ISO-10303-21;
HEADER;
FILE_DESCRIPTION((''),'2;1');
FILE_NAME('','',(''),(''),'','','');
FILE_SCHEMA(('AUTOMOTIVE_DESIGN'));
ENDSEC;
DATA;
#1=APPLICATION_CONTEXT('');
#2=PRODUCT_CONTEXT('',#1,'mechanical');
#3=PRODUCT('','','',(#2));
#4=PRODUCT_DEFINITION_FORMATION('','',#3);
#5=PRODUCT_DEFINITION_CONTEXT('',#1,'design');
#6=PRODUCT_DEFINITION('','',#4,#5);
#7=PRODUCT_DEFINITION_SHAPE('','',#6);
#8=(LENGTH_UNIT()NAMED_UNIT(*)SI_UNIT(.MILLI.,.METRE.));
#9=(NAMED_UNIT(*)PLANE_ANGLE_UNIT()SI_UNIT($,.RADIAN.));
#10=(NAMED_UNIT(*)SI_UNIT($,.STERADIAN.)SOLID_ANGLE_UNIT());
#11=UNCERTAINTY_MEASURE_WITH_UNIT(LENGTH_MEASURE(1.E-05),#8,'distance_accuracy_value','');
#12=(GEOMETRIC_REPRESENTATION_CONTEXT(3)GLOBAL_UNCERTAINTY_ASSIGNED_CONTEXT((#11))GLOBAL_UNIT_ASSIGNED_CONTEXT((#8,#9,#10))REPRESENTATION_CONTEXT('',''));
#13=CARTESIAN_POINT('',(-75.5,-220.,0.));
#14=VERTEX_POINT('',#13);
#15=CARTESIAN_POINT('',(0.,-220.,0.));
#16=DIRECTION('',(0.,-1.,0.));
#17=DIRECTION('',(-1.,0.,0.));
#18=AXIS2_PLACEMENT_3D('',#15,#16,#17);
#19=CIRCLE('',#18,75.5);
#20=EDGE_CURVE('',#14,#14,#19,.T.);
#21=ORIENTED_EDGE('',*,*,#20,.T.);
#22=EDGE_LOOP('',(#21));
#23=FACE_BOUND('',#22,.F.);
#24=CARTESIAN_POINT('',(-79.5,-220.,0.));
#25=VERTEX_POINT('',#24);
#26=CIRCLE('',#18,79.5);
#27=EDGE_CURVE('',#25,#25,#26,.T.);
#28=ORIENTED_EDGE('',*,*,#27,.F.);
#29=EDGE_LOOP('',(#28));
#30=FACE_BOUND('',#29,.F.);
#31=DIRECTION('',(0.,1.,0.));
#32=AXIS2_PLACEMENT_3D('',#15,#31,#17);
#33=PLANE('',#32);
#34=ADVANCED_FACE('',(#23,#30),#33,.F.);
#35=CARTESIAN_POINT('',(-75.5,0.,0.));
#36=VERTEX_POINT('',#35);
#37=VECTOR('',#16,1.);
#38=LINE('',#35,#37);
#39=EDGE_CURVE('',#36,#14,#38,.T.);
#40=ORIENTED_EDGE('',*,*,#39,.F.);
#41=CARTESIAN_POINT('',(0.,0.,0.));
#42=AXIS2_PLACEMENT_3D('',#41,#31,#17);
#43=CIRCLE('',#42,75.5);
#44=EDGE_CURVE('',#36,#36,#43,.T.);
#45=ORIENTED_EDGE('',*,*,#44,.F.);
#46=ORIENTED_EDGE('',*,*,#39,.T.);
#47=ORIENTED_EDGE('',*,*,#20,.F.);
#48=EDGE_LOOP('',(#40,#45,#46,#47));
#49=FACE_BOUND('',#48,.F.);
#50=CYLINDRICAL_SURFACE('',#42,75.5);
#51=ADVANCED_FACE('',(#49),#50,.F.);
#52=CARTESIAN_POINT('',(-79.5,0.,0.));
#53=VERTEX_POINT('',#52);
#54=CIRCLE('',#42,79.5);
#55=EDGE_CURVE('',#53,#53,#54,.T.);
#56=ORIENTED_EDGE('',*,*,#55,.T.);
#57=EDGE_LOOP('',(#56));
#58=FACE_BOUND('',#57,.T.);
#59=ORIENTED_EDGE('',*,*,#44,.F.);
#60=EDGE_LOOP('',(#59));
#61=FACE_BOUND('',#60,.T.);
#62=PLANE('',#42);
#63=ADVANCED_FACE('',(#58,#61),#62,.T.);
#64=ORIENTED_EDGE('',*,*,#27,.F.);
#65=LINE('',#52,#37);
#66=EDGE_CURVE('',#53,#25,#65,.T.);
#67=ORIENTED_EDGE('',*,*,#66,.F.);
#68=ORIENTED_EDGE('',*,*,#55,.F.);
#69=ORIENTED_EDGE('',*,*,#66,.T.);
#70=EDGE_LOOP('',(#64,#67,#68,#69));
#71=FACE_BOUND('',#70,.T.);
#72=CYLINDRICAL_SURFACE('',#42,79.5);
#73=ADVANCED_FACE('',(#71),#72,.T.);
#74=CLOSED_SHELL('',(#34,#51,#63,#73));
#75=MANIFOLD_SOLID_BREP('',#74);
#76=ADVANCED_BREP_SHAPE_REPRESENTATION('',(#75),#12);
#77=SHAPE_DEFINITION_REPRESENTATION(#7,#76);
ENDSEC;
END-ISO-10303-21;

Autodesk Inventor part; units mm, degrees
ref_plane "YZ Plane" through (0, 0, 0) normal (1, 0, 0) x (0, 1, 0)
ref_plane "XZ Plane" through (0, 0, 0) normal (0, 1, 0) x (-1, 0, 0)
ref_plane "XY Plane" through (0, 0, 0) normal (0, 0, 1) x (1, 0, 0)
sketch "Sketch1" plane through (0, 0, 0) normal (0, 1, 0) x (-1, 0, 0)
  circle A0 centre (0, 0) radius 79.5
  circle A1 centre (0, 0) radius 75.5
  line L0 (79.5, 0) -> (-79.5, 0)
  point P0 (-75.5, 0)
  point P1 (75.5, 0)
  dimension "d0" = 159
  dimension "d1" = 4
extrude "Extrusion1" add sketch "Sketch1" against normal blind 220 contours L0 A1 A0 | A0 L0 A1
properties part number "TZS 0921 charging tube" material "Steel"
